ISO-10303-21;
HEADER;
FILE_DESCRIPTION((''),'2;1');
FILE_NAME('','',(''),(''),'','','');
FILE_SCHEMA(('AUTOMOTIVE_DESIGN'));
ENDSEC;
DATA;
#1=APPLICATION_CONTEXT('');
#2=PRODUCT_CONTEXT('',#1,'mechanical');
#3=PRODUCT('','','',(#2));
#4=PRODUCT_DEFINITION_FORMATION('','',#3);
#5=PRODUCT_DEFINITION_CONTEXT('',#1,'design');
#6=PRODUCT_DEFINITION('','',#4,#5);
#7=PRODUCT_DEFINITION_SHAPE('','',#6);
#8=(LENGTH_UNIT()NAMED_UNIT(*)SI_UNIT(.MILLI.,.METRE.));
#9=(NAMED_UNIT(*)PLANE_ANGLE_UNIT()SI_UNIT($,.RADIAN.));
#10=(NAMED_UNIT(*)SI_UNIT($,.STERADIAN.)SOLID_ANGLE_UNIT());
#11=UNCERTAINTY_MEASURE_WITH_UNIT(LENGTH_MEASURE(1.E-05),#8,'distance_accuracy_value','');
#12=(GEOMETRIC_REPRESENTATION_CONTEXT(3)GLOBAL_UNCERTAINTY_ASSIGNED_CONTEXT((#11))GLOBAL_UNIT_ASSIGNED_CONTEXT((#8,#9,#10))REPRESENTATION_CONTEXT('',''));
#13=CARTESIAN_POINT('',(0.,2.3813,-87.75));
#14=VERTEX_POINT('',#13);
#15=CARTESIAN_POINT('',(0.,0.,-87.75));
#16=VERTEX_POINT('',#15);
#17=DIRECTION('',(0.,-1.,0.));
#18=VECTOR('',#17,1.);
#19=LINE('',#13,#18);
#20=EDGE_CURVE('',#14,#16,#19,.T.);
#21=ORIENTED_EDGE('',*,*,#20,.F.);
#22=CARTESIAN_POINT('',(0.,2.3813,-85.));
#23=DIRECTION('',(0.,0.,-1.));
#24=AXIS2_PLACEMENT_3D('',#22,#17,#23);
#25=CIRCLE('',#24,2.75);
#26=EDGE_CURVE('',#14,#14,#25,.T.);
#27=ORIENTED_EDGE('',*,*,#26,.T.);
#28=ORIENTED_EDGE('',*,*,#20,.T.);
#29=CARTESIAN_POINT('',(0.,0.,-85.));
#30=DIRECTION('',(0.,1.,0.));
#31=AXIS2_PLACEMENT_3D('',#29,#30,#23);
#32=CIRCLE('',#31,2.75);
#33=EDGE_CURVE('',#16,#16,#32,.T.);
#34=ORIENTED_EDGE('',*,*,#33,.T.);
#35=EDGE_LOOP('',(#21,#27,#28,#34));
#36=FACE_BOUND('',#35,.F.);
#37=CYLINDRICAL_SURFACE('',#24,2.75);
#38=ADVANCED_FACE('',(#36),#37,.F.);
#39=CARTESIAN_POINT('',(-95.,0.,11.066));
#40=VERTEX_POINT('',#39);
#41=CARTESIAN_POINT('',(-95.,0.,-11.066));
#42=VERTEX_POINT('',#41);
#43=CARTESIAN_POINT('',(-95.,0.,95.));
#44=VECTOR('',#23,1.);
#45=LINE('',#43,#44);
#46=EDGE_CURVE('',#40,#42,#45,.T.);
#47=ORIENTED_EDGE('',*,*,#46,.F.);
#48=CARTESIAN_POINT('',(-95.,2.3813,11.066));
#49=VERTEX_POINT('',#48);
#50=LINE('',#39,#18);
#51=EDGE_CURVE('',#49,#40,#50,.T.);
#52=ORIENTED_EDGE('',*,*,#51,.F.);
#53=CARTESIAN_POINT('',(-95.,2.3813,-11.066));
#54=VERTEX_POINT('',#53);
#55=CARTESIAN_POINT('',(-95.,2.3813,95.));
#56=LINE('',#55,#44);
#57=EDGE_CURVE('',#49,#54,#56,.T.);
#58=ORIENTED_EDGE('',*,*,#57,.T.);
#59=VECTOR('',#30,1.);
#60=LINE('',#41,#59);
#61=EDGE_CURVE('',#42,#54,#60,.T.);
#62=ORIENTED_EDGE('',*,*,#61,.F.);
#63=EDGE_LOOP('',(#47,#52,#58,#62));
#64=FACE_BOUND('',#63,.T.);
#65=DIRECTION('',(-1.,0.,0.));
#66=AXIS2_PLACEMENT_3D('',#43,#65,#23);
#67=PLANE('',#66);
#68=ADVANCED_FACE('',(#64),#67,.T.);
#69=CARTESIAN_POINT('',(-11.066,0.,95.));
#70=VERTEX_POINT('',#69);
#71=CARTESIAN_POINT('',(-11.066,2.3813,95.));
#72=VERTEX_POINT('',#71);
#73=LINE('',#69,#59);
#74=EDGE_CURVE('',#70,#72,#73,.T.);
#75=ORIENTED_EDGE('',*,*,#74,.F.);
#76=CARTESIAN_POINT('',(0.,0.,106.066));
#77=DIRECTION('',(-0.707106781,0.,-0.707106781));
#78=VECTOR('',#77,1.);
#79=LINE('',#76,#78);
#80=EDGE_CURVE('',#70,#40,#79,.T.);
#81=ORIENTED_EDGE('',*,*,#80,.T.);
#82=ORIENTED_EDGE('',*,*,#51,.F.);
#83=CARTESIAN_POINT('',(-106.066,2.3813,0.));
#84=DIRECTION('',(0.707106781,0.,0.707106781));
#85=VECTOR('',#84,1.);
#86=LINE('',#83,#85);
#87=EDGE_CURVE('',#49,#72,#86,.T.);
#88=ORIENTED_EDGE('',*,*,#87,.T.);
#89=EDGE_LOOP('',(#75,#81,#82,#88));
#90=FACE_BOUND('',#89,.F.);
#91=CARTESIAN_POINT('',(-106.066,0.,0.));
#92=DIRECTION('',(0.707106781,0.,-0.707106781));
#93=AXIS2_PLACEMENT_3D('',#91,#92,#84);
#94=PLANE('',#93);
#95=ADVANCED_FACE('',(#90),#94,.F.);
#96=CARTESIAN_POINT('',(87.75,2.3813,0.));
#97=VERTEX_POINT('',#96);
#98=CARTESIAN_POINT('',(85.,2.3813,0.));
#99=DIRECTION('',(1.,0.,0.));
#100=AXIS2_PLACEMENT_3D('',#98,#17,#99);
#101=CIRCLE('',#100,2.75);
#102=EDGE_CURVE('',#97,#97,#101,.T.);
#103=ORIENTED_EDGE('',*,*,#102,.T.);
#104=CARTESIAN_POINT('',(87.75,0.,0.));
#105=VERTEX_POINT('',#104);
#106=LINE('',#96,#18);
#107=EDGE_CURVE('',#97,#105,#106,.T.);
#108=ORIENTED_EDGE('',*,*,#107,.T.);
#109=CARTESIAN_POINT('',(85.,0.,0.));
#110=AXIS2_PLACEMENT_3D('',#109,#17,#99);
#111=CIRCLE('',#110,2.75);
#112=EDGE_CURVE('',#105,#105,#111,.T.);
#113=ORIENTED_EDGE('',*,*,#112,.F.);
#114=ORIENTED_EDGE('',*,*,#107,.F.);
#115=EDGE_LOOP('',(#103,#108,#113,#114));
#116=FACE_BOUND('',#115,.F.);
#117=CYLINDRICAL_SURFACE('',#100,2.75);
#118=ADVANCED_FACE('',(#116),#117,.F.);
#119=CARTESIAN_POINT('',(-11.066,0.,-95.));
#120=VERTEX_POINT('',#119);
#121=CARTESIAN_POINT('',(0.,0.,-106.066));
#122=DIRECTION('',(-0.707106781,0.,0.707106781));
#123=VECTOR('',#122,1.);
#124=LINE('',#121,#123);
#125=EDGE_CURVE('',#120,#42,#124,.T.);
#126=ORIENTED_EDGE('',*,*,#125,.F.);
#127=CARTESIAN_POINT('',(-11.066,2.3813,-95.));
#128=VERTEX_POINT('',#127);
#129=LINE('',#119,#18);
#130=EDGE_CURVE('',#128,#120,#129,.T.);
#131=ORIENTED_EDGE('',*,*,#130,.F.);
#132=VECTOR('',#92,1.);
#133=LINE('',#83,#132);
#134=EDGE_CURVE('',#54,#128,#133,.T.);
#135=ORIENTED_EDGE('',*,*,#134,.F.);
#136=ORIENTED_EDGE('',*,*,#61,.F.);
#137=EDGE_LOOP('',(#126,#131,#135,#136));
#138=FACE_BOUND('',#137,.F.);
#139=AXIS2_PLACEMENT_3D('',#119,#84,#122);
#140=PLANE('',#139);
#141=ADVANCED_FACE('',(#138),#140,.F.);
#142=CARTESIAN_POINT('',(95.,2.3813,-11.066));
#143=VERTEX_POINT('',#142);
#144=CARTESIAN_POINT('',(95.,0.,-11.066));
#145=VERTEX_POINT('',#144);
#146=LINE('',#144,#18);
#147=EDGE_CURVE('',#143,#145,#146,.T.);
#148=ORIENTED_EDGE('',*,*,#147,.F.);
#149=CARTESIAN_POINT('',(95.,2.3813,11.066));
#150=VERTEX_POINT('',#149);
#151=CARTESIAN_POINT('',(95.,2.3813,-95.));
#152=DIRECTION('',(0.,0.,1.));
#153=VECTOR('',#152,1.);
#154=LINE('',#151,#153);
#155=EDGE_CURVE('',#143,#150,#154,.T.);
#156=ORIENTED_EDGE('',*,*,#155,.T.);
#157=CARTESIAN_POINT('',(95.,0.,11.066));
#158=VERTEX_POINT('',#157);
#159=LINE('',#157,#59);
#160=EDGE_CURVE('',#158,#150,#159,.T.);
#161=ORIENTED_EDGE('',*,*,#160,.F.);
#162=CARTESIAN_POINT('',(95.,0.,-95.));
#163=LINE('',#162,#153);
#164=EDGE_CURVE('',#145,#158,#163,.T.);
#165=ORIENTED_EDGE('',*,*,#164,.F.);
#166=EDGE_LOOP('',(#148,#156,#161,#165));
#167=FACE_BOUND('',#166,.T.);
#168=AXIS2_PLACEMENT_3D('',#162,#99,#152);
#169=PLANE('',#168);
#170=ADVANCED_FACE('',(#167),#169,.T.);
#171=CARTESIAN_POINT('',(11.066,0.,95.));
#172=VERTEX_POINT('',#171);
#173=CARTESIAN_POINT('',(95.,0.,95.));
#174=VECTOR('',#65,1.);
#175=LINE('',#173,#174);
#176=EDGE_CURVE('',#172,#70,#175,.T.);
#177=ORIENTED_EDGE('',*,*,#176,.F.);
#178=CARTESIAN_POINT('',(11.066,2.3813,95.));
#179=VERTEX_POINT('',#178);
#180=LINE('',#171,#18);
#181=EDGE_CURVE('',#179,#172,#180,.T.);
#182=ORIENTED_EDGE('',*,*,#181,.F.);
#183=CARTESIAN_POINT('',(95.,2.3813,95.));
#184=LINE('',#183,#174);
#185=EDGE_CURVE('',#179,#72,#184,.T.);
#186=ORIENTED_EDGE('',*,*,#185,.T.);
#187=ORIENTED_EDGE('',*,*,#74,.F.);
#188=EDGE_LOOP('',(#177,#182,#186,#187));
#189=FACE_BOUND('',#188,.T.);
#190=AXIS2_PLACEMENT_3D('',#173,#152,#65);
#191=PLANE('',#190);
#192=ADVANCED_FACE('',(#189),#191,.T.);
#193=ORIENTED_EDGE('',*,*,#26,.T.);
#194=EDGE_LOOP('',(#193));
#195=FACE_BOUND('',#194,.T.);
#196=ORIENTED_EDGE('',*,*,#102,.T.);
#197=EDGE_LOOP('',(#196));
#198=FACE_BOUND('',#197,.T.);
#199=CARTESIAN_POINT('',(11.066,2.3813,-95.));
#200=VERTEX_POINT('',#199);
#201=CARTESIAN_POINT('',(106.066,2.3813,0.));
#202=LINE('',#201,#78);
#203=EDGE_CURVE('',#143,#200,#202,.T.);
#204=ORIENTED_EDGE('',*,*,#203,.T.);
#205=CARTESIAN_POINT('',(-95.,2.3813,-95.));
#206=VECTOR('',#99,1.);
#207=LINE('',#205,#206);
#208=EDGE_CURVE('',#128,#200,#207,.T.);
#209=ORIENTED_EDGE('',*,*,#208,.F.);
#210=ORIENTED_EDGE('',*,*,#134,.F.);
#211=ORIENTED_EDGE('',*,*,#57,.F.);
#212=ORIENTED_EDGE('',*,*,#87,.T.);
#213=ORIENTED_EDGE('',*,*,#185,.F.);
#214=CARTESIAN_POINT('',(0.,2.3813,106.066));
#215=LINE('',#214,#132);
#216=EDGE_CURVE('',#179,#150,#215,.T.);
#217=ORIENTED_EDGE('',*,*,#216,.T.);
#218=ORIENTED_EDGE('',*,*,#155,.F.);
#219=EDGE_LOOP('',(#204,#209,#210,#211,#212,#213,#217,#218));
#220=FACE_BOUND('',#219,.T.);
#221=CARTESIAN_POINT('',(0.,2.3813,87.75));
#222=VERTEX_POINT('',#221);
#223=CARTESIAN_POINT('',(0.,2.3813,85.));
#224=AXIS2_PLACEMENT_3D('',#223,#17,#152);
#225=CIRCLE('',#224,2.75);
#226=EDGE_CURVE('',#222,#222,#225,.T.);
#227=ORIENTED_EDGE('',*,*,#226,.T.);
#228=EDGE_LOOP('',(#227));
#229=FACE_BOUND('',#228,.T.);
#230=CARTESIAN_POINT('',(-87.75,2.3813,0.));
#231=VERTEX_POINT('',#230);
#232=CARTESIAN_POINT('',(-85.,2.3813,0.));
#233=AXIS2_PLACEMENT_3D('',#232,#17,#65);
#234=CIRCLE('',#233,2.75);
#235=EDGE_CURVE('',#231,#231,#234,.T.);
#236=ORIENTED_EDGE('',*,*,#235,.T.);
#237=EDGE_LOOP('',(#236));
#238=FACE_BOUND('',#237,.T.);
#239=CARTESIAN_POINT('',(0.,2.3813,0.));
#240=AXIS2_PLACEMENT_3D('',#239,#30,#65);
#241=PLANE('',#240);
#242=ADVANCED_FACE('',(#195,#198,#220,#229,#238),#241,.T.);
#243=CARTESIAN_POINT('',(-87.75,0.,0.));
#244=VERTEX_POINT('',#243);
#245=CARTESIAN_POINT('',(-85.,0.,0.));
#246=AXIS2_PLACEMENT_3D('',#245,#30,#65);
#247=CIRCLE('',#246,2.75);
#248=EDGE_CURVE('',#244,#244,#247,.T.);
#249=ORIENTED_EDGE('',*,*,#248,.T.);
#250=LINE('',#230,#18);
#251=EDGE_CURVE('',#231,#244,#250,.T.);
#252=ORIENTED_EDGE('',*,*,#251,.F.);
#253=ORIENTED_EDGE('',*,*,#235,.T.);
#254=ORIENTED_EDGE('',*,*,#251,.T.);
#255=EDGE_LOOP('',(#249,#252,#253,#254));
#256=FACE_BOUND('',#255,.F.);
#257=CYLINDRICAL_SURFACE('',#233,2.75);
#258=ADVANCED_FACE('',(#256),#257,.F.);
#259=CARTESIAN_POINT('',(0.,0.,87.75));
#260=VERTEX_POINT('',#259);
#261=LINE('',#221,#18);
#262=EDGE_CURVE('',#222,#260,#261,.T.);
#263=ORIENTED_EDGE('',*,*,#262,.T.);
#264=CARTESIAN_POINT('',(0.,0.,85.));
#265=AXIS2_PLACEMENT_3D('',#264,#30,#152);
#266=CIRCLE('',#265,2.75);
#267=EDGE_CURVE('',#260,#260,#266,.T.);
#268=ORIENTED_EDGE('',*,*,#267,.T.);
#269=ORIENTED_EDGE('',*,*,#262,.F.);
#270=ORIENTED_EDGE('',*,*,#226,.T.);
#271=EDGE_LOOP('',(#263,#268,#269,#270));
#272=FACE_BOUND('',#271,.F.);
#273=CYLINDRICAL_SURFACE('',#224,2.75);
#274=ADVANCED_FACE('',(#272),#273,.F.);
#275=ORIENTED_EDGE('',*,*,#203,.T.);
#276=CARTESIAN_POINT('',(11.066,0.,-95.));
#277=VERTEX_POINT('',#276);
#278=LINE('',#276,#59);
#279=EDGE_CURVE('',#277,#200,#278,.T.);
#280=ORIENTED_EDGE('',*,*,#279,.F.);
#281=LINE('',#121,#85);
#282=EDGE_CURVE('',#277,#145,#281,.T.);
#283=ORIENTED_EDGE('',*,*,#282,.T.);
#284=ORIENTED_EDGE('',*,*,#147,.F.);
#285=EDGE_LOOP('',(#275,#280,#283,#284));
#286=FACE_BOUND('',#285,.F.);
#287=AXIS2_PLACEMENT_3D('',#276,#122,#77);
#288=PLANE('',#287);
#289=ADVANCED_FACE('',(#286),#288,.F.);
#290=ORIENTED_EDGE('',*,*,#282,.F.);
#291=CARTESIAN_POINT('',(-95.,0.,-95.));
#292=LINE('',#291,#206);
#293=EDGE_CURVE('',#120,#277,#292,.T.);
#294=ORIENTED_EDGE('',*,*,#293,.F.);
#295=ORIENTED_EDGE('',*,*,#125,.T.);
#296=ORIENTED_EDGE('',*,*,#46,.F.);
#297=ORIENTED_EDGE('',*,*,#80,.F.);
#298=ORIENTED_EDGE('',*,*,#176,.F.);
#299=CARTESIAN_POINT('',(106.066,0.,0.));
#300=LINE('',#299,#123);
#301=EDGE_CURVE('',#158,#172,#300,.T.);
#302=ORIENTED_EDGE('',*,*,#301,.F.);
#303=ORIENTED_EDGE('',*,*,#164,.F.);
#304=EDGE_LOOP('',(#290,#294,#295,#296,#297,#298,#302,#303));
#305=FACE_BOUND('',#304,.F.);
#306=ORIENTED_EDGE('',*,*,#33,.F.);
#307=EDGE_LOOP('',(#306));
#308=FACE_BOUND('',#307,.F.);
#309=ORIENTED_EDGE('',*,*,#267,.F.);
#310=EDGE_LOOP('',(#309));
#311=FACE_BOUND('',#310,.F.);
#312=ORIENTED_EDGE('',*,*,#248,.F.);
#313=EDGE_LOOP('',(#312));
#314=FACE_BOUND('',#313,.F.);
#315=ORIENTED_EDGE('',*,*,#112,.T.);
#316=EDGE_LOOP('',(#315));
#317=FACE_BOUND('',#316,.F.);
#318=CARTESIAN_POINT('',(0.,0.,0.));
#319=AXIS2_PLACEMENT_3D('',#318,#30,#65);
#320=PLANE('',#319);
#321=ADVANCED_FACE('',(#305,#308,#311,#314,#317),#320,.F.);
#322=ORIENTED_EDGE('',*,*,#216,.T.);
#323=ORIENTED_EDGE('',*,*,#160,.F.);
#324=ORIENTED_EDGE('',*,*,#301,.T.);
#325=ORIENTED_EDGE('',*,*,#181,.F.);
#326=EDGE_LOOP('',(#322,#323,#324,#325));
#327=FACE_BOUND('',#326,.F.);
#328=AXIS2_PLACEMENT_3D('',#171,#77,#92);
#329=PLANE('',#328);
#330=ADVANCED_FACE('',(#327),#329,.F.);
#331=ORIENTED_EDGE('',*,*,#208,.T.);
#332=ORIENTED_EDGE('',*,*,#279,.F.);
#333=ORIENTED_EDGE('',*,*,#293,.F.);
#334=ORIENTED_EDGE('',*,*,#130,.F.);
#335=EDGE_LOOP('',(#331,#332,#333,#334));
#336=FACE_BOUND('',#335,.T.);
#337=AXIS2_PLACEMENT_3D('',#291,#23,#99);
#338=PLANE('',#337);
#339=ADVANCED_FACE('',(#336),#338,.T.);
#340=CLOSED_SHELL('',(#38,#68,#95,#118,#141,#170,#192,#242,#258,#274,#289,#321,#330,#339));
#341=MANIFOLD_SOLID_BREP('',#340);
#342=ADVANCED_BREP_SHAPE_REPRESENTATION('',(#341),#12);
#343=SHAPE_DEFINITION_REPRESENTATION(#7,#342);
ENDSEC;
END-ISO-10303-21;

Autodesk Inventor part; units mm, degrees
ref_plane "YZ Plane" through (0, 0, 0) normal (1, 0, 0) x (0, 1, 0)
ref_plane "XZ Plane" through (0, 0, 0) normal (0, 1, 0) x (-1, 0, 0)
ref_plane "XY Plane" through (0, 0, 0) normal (0, 0, 1) x (1, 0, 0)
sketch "Sketch1" plane through (0, 0, 0) normal (0, 1, 0) x (-1, 0, 0)
  line L0 (95, -95) -> (-95, -95)
  line L1 (-95, -95) -> (-95, 95)
  line L2 (-95, 95) -> (95, 95)
  line L3 (95, 95) -> (95, -95)
  line L4 (95, -95) -> (-95, 95) construction
  line L5 (-95, -95) -> (95, 95) construction
  point P0 (0, 0)
  point P1 (0, 0)
  point P2 (0, 0)
  dimension "d25" = 190
extrude "Extrusion1" add sketch "Sketch1" along normal blind 2.3813
sketch "Sketch2" plane through (0, 2.3813, 0) normal (0, 1, 0) x (1, 0, 0)
  line L0 (-95, -95) -> (95, -95) projected
  point P0 (0, 0)
  point P1 (0, -85)
  dimension "d26" = 10
hole "Hole1" at (0, 2.3813, 85) direction (0, -1, 0) diameter 5.5 end through all clearance for "Socket Head Cap Screw" size "M5" standard "Ansi Metric M Profile"
pattern_circular "Circular Pattern1" count 4 over 360 about axis through (0, -10, 0) along (0, 1, 0) of "Hole1"
sketch "Sketch3" plane through (0, 0, 0) normal (0, -1, 0) x (1, 0, 0)
  circle A0 centre (-85, 0) radius 2.75 projected
  circle A1 centre (0, -85) radius 2.75 projected
  circle A2 centre (85, 0) radius 2.75 projected
  circle A3 centre (0, 85) radius 2.75 projected
  line L0 (-95, -95) -> (95, -95) projected
  line L1 (95, -95) -> (95, 95) projected
  line L2 (95, 95) -> (-95, 95) projected
  line L3 (-95, 95) -> (-95, -95) projected
  line L4 (0, 106.066) -> (106.066, 0)
  line L5 (106.066, 0) -> (0, -106.066)
  line L6 (0, -106.066) -> (-106.066, 0)
  line L7 (-106.066, 0) -> (0, 106.066)
  line L8 (-106.066, 0) -> (106.066, 0) construction
  line L9 (0, -106.066) -> (0, 106.066) construction
  point P0 (0, 0)
  point P1 (0, 0)
  point P2 (0, 0)
  dimension "d27" = 150
  dimension "d28" = 150
extrude "Extrusion2" cut sketch "Sketch3" against normal through all contours L6 L3 L7 L2 L4 L1 L5 L0 | L0 L5 L6 | L6 L7 L3 | L1 L4 L5 | L7 L4 L2 keep common part
equation "\"d7\" = suppourtPanelThickness"
equation "\"d28\" = d27"
equation "\"panelChamfer\" = 75"
equation "\"suppourtPanelThickness\" = 2.38125"
properties part number "separatingPanels" material "Polycarbonate, Clear"
